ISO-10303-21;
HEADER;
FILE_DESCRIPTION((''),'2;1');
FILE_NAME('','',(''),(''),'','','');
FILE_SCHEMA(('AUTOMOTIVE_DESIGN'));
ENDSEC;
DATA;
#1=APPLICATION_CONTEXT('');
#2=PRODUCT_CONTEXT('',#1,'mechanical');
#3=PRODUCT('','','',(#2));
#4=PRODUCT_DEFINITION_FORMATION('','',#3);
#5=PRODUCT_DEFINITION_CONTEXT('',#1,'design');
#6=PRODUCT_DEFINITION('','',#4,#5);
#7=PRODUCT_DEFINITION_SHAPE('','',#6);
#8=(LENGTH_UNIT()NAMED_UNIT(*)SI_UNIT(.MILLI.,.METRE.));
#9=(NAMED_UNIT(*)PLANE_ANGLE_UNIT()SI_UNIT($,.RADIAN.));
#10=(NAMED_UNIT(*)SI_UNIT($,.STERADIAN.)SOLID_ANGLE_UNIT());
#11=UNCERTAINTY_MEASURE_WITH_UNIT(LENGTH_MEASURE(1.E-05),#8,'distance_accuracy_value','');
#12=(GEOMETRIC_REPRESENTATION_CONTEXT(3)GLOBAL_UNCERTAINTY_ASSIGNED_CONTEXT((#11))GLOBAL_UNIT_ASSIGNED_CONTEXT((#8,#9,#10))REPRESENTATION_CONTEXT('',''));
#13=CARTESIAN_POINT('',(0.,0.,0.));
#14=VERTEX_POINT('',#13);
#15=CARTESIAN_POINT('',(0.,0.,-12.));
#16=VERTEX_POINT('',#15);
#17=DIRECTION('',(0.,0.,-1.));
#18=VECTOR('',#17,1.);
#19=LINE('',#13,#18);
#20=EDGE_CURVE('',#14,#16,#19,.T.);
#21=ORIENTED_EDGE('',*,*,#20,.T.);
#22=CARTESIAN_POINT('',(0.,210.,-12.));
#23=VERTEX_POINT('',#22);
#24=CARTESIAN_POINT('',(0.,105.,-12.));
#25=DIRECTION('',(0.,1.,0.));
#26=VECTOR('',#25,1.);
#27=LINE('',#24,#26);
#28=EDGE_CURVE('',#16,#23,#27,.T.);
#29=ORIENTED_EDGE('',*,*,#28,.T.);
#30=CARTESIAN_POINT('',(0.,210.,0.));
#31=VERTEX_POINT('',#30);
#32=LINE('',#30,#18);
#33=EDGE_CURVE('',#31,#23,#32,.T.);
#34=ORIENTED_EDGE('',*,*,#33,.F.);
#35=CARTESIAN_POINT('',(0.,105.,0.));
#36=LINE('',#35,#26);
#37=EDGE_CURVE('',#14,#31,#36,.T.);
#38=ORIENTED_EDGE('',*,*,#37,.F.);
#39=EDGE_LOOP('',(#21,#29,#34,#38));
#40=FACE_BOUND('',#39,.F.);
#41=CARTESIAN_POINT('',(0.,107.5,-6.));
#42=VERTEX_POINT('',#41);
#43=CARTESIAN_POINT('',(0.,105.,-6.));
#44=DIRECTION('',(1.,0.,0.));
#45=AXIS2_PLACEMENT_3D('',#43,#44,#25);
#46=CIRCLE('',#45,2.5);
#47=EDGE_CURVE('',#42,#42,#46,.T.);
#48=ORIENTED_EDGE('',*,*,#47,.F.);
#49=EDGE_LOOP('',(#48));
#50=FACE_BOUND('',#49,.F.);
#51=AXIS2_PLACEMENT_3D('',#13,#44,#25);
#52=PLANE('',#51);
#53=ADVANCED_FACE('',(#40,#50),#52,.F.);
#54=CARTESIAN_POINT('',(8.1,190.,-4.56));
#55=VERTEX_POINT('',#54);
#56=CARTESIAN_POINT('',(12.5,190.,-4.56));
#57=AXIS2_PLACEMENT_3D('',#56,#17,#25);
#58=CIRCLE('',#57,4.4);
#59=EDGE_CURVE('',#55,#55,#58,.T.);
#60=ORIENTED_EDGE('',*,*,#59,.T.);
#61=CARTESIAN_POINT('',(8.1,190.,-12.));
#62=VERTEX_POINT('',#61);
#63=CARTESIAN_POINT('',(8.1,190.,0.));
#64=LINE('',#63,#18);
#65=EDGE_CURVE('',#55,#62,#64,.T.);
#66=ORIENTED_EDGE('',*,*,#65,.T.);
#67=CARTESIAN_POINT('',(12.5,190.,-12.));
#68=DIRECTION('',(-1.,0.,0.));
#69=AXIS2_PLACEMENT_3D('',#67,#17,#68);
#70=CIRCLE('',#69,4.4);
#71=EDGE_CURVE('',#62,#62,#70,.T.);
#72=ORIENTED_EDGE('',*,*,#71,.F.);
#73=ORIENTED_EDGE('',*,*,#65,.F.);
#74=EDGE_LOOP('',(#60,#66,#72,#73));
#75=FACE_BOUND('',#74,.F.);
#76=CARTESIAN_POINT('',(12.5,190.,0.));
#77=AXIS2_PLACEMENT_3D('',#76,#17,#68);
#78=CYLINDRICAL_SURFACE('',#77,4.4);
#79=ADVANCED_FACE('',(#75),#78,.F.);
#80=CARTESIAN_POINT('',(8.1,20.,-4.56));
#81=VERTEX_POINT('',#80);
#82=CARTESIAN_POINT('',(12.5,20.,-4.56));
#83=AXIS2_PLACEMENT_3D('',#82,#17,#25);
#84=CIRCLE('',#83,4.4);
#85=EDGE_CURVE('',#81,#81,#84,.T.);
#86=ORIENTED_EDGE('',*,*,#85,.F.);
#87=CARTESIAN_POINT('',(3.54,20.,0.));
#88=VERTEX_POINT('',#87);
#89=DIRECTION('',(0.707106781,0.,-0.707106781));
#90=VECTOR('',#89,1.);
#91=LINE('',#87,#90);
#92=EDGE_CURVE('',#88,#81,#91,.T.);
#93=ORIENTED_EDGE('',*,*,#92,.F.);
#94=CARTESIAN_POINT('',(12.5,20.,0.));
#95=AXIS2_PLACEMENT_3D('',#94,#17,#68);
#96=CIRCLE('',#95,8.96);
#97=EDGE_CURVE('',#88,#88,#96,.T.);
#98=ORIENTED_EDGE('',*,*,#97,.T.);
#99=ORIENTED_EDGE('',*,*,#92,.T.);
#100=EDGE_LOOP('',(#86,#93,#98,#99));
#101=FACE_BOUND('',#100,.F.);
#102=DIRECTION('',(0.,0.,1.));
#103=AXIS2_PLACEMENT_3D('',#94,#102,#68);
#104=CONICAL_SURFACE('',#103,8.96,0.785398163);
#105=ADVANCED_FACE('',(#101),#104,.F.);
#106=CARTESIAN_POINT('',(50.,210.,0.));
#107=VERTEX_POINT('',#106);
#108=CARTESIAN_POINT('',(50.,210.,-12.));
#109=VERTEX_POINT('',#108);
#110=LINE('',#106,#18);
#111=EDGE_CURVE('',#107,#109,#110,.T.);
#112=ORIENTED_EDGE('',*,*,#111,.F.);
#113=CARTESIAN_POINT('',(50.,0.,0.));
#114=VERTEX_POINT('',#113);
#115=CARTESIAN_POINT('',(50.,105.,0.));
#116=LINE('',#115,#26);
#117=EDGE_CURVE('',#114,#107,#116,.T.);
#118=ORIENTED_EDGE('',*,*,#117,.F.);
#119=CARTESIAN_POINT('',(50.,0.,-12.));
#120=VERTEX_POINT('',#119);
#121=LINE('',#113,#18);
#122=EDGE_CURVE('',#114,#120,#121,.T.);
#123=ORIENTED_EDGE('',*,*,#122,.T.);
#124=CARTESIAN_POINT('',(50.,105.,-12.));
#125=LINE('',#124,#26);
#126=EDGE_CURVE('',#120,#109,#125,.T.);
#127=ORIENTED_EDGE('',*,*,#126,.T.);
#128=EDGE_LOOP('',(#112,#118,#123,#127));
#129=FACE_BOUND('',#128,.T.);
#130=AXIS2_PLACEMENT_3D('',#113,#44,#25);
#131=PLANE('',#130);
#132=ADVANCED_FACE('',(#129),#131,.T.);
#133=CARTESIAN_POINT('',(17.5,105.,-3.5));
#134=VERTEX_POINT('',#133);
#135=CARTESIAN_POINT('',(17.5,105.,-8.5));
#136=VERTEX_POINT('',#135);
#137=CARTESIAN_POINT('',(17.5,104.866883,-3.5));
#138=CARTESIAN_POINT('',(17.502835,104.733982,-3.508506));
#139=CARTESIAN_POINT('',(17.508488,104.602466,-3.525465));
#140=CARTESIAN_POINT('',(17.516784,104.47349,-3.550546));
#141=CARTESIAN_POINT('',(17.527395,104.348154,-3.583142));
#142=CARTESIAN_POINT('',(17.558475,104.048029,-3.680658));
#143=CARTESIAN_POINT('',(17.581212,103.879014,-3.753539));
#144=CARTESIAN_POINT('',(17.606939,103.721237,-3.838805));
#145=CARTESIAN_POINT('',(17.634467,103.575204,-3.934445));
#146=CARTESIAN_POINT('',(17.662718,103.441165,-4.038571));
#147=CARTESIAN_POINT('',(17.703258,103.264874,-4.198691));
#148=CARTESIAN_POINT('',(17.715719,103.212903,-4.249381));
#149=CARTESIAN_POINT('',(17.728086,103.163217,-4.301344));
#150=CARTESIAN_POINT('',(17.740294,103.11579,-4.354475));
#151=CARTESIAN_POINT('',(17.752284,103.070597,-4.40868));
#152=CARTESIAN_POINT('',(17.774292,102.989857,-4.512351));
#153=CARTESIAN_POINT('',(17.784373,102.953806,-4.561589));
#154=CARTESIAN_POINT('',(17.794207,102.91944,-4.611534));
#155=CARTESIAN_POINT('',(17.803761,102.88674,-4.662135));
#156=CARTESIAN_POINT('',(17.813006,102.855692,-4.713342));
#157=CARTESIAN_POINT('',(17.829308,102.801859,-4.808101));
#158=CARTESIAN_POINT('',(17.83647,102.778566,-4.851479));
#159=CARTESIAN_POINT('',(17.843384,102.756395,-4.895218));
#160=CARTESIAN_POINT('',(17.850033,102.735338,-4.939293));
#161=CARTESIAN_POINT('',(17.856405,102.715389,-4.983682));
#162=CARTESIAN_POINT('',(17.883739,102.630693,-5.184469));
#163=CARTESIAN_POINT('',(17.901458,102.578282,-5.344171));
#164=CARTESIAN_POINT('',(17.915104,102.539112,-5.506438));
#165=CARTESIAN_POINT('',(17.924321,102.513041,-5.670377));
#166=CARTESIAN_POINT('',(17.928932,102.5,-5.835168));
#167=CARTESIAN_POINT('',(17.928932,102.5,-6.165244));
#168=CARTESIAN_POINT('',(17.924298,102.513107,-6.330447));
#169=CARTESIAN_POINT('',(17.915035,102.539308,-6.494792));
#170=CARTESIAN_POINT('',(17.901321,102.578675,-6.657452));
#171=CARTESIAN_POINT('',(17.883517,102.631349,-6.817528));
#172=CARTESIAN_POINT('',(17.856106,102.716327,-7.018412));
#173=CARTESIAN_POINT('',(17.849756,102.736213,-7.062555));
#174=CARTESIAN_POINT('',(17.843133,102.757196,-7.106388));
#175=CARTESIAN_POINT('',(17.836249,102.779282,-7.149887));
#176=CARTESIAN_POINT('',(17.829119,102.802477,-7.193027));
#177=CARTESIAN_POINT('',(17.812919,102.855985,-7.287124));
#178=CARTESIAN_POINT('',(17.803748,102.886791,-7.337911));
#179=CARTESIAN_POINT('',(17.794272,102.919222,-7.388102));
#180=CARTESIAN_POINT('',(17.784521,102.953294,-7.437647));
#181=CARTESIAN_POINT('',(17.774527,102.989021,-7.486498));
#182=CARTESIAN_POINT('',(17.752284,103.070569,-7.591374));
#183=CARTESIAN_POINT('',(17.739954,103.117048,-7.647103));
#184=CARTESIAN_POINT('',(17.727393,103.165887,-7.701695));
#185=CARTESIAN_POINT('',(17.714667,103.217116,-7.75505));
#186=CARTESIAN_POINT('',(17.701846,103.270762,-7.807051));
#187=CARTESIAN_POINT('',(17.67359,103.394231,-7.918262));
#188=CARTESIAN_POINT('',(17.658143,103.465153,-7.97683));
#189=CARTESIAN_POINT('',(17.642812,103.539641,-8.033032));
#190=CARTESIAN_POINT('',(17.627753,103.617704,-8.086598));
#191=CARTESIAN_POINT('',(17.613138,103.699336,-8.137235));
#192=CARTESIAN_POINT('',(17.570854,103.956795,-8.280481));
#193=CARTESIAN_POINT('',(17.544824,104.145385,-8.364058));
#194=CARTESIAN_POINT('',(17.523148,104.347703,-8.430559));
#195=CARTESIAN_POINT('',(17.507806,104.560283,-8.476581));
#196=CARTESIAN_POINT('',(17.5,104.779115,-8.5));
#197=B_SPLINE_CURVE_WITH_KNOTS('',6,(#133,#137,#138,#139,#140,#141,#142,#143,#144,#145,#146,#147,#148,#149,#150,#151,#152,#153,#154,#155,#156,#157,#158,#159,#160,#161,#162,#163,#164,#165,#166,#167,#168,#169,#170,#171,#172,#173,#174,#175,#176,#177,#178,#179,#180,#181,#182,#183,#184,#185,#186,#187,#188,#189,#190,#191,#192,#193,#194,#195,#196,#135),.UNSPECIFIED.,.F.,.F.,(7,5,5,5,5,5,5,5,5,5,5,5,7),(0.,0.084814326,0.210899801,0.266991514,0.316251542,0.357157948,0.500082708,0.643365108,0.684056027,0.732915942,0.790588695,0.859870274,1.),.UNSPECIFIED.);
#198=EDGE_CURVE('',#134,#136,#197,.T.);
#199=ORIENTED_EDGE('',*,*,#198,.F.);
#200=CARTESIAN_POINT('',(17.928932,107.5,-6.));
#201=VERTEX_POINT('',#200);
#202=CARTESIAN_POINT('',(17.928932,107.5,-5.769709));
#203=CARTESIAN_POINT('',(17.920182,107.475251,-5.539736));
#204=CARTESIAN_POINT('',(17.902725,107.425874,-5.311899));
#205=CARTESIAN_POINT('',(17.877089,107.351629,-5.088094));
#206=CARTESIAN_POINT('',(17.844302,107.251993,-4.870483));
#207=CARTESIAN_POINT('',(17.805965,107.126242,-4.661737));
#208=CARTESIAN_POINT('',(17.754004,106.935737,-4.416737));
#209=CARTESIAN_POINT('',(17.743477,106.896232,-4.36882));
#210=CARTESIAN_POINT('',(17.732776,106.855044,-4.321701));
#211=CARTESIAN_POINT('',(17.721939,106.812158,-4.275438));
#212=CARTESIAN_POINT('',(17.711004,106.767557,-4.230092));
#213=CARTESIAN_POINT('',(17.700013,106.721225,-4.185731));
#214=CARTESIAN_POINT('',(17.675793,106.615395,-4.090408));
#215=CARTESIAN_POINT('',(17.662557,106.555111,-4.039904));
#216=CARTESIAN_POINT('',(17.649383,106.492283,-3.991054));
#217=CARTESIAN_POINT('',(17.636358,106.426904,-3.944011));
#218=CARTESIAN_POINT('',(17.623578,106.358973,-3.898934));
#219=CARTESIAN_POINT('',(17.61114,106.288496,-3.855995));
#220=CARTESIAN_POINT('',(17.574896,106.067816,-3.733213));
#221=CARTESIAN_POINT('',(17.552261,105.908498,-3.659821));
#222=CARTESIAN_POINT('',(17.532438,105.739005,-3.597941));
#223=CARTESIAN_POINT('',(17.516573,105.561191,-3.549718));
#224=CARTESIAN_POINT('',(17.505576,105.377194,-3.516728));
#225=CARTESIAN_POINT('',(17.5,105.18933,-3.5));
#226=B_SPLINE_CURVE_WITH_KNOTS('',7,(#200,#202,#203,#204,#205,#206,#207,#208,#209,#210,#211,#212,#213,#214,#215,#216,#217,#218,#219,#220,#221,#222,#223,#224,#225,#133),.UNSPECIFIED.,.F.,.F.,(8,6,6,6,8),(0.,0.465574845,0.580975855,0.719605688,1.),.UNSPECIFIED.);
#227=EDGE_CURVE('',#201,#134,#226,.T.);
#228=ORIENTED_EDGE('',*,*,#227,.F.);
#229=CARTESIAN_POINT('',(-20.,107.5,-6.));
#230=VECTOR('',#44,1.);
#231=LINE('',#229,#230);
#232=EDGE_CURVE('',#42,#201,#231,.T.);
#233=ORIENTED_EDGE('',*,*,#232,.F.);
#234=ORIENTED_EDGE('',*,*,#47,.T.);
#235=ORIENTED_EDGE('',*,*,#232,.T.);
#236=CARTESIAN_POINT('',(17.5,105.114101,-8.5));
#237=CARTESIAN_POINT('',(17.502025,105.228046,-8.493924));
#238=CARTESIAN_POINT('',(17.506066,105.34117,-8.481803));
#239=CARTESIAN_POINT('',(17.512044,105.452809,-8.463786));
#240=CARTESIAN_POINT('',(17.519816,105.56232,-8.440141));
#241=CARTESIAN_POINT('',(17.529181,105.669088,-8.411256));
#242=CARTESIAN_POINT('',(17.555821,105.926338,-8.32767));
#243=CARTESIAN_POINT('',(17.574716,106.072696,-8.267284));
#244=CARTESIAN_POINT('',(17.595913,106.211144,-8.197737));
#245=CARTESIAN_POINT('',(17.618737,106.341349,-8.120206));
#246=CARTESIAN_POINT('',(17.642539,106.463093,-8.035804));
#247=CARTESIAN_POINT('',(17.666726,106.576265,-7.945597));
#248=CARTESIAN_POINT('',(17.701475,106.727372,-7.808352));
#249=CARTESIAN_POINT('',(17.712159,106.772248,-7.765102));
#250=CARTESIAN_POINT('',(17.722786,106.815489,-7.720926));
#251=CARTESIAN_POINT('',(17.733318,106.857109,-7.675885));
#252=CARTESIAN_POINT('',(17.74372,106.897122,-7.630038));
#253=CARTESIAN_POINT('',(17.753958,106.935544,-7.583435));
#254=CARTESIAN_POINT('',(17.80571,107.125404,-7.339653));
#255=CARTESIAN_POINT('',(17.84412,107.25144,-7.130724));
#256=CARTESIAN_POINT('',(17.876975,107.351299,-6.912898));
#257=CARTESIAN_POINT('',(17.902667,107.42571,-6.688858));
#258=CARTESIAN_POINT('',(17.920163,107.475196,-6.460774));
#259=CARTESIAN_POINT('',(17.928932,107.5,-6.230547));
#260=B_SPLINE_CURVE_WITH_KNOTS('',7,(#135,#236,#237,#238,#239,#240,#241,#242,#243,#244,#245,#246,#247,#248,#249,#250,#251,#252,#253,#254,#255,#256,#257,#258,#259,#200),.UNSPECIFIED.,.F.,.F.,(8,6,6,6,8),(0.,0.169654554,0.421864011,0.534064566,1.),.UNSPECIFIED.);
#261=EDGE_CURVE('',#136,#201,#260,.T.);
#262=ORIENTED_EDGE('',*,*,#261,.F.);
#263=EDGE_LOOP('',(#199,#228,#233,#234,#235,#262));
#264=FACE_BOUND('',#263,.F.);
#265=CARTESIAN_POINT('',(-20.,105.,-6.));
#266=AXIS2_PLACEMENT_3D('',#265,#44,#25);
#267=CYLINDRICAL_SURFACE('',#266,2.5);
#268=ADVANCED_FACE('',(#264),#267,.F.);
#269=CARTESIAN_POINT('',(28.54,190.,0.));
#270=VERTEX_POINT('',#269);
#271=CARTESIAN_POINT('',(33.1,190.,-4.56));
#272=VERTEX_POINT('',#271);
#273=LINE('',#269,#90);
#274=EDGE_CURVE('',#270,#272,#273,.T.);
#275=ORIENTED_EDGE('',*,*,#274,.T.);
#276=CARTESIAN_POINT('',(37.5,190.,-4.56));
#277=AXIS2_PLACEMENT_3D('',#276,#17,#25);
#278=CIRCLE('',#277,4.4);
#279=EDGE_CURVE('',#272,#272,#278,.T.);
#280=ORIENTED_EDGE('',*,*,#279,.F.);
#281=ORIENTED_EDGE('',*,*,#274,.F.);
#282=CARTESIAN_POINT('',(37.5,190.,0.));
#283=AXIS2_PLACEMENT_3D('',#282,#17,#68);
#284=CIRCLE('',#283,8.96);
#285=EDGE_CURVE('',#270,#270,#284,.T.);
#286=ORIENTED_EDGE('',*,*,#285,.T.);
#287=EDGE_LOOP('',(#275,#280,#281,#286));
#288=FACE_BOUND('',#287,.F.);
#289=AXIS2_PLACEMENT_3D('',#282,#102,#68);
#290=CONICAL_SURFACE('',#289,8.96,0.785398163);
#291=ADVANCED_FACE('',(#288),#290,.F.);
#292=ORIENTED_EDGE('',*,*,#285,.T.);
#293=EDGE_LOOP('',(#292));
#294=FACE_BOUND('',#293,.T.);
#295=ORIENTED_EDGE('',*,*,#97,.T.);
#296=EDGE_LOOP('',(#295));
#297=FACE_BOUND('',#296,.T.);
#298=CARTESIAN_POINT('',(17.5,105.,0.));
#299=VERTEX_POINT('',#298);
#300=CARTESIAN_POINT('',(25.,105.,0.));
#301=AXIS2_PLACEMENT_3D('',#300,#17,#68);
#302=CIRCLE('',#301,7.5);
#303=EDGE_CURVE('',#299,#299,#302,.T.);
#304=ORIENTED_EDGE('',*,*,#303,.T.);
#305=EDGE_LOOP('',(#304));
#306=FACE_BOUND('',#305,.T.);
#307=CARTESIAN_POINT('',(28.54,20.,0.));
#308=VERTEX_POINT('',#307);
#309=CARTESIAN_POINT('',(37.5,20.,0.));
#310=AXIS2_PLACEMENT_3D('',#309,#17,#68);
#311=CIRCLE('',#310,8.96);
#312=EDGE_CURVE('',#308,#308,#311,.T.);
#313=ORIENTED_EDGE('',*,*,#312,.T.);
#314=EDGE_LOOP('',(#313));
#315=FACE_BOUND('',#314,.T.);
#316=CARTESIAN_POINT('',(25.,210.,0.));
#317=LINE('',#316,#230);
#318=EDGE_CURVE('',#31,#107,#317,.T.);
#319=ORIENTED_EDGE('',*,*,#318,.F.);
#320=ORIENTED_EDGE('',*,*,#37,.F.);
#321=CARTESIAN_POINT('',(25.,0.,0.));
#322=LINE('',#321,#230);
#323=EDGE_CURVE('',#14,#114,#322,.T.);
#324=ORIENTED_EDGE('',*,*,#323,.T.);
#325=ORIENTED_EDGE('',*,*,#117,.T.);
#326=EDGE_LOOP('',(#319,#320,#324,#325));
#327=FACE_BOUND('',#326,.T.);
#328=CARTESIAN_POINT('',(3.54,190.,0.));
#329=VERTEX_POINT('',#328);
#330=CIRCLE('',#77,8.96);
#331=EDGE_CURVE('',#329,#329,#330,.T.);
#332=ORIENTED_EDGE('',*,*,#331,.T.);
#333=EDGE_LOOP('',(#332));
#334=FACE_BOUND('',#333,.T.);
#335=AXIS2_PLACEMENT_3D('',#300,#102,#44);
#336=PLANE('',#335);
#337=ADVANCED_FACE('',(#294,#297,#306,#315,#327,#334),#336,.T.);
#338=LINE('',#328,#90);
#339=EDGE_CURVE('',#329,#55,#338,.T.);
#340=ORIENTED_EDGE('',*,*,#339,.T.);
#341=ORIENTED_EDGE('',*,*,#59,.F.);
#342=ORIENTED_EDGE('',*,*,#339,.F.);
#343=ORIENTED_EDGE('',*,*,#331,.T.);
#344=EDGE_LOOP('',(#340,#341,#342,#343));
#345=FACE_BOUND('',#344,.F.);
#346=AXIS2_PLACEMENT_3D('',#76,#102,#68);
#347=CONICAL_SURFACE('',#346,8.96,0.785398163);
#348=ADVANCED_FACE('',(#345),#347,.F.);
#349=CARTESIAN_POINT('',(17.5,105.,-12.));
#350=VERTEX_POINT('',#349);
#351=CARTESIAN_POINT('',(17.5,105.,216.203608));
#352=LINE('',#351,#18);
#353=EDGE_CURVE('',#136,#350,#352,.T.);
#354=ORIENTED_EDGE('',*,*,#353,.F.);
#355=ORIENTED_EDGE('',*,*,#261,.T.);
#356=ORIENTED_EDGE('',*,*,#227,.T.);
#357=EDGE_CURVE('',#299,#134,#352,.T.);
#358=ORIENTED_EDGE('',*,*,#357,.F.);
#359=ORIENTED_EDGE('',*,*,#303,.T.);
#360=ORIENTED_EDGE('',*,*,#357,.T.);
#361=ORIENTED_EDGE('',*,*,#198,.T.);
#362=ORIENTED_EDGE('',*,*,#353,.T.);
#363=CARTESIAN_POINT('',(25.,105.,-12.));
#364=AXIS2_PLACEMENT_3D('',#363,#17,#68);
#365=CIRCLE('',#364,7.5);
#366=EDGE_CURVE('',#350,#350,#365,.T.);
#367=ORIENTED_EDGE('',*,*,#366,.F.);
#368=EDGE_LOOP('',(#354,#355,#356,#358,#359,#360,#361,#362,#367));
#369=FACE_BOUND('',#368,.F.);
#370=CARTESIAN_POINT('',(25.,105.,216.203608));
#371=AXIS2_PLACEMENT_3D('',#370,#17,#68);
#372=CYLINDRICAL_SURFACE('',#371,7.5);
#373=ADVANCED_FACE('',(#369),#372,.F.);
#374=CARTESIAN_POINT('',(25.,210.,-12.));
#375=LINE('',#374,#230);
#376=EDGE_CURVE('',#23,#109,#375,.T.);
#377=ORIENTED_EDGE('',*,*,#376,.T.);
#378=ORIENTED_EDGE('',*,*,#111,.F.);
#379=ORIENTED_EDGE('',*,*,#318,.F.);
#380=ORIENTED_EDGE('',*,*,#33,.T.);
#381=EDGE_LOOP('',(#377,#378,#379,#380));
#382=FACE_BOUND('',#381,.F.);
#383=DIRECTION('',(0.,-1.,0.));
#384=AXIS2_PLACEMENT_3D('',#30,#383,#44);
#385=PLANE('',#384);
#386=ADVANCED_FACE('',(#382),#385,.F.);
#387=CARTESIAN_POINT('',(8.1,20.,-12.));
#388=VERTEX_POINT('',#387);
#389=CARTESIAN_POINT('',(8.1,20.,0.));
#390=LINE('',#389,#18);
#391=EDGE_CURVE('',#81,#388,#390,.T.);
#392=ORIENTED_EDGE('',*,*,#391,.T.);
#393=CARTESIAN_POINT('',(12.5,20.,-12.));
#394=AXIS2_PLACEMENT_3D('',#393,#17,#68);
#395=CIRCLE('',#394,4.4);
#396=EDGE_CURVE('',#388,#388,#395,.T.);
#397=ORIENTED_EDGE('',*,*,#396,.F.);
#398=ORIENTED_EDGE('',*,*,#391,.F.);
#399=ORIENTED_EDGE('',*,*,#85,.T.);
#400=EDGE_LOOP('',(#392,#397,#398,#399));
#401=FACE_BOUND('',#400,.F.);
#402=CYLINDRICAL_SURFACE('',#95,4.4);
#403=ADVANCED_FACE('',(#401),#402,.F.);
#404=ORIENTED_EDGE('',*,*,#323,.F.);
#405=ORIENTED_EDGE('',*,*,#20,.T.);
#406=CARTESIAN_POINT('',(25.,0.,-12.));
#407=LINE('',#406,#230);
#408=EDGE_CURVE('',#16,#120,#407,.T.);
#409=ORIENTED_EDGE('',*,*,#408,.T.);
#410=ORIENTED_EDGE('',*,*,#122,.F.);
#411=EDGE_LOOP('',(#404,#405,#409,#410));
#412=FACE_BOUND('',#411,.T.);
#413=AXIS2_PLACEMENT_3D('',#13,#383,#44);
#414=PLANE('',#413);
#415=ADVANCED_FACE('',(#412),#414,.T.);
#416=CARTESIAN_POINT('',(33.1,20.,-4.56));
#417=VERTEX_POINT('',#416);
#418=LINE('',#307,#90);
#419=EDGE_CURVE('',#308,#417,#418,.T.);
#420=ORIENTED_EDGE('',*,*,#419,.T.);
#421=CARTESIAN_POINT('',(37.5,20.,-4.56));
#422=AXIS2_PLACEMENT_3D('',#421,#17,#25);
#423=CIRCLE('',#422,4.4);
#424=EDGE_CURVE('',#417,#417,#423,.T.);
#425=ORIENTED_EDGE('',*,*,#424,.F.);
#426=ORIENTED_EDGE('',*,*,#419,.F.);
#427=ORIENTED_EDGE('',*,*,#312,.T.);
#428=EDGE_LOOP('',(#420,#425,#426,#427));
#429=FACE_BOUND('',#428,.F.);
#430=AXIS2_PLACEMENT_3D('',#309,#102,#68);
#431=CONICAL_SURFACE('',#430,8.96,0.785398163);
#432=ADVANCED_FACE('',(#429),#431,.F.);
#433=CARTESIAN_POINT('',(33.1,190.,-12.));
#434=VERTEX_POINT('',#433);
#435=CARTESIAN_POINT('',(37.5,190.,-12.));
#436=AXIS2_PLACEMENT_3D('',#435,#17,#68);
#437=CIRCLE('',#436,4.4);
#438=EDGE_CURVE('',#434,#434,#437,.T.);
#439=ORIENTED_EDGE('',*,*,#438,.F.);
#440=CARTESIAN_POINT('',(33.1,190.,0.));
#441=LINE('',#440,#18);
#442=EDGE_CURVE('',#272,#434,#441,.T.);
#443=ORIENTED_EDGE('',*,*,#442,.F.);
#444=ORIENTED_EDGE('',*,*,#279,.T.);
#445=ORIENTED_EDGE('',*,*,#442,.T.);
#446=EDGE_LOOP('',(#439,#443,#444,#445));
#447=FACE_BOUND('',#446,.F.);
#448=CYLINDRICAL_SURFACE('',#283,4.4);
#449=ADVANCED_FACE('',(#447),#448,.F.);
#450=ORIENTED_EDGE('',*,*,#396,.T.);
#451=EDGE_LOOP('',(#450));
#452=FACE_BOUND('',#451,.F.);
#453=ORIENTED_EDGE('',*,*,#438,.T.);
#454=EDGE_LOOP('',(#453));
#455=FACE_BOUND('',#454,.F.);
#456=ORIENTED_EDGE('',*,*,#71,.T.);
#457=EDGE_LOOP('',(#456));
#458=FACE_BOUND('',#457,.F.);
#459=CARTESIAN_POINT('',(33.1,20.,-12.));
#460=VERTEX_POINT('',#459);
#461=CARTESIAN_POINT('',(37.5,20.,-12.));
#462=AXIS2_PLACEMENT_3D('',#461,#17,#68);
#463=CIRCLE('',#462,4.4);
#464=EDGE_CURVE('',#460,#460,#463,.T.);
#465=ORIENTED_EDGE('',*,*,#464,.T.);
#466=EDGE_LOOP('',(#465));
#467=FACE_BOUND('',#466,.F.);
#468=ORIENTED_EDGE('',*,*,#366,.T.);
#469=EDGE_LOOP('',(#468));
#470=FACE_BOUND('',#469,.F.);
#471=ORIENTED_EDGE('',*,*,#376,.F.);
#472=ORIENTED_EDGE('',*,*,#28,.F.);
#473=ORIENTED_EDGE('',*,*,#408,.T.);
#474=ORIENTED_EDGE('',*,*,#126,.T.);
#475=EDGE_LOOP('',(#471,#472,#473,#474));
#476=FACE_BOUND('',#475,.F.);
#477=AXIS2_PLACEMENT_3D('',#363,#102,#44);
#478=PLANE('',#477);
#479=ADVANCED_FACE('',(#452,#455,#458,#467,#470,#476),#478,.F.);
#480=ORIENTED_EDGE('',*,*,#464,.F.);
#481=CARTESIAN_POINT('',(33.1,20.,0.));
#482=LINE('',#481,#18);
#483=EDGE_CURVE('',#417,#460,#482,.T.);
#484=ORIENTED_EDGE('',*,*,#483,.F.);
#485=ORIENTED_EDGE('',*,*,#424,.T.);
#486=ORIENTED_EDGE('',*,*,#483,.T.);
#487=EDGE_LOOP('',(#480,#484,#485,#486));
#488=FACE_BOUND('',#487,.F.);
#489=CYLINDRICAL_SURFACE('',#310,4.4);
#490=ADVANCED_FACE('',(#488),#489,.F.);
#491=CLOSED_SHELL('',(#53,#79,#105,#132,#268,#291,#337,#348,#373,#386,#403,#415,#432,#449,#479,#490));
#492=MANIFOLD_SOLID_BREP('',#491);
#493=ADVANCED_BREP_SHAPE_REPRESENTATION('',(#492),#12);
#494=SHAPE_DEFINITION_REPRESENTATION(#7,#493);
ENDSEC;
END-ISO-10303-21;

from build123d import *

# Parameters (mm, degrees)
F0_W           = 50
F0_H           = 210
F1_DEPTH       = 12
F3_D           = 8.8
F3_CSINK_D     = 17.92
F3_CSINK_ANGLE = 90
F5_D           = 15
F7_D           = 5
F7_DEPTH       = 20
F7_TIP         = 1.5021515476


with BuildPart() as f1:
    # F0 (on Top) → F1 (new body)
    with BuildSketch(Plane.XY):
        with Locations((25, 105)):
            Rectangle(F0_W, F0_H)
    extrude(amount=-F1_DEPTH)

    # F3 (through all)
    with Locations(Plane.XY):
        with Locations((12.5, 20), (37.5, 20), (37.5, 190), (12.5, 190)):
            CounterSinkHole(F3_D / 2, F3_CSINK_D / 2, counter_sink_angle=F3_CSINK_ANGLE)

    # F5 (through all)
    with Locations(Plane.XY):
        with Locations((25, 105)):
            Hole(F5_D / 2)

    # F7
    with Locations(Plane(origin=(0, 0, 0), x_dir=(0, -1, 0), z_dir=(-1, 0, 0))):
        with Locations((-105, -6)):
            Hole(F7_D / 2, depth=F7_DEPTH)
            with Locations((0, 0, -(F7_DEPTH + F7_TIP / 2))):  # 118° drill point
                Cone(0, F7_D / 2, F7_TIP, mode=Mode.SUBTRACT)


solid = f1.part
